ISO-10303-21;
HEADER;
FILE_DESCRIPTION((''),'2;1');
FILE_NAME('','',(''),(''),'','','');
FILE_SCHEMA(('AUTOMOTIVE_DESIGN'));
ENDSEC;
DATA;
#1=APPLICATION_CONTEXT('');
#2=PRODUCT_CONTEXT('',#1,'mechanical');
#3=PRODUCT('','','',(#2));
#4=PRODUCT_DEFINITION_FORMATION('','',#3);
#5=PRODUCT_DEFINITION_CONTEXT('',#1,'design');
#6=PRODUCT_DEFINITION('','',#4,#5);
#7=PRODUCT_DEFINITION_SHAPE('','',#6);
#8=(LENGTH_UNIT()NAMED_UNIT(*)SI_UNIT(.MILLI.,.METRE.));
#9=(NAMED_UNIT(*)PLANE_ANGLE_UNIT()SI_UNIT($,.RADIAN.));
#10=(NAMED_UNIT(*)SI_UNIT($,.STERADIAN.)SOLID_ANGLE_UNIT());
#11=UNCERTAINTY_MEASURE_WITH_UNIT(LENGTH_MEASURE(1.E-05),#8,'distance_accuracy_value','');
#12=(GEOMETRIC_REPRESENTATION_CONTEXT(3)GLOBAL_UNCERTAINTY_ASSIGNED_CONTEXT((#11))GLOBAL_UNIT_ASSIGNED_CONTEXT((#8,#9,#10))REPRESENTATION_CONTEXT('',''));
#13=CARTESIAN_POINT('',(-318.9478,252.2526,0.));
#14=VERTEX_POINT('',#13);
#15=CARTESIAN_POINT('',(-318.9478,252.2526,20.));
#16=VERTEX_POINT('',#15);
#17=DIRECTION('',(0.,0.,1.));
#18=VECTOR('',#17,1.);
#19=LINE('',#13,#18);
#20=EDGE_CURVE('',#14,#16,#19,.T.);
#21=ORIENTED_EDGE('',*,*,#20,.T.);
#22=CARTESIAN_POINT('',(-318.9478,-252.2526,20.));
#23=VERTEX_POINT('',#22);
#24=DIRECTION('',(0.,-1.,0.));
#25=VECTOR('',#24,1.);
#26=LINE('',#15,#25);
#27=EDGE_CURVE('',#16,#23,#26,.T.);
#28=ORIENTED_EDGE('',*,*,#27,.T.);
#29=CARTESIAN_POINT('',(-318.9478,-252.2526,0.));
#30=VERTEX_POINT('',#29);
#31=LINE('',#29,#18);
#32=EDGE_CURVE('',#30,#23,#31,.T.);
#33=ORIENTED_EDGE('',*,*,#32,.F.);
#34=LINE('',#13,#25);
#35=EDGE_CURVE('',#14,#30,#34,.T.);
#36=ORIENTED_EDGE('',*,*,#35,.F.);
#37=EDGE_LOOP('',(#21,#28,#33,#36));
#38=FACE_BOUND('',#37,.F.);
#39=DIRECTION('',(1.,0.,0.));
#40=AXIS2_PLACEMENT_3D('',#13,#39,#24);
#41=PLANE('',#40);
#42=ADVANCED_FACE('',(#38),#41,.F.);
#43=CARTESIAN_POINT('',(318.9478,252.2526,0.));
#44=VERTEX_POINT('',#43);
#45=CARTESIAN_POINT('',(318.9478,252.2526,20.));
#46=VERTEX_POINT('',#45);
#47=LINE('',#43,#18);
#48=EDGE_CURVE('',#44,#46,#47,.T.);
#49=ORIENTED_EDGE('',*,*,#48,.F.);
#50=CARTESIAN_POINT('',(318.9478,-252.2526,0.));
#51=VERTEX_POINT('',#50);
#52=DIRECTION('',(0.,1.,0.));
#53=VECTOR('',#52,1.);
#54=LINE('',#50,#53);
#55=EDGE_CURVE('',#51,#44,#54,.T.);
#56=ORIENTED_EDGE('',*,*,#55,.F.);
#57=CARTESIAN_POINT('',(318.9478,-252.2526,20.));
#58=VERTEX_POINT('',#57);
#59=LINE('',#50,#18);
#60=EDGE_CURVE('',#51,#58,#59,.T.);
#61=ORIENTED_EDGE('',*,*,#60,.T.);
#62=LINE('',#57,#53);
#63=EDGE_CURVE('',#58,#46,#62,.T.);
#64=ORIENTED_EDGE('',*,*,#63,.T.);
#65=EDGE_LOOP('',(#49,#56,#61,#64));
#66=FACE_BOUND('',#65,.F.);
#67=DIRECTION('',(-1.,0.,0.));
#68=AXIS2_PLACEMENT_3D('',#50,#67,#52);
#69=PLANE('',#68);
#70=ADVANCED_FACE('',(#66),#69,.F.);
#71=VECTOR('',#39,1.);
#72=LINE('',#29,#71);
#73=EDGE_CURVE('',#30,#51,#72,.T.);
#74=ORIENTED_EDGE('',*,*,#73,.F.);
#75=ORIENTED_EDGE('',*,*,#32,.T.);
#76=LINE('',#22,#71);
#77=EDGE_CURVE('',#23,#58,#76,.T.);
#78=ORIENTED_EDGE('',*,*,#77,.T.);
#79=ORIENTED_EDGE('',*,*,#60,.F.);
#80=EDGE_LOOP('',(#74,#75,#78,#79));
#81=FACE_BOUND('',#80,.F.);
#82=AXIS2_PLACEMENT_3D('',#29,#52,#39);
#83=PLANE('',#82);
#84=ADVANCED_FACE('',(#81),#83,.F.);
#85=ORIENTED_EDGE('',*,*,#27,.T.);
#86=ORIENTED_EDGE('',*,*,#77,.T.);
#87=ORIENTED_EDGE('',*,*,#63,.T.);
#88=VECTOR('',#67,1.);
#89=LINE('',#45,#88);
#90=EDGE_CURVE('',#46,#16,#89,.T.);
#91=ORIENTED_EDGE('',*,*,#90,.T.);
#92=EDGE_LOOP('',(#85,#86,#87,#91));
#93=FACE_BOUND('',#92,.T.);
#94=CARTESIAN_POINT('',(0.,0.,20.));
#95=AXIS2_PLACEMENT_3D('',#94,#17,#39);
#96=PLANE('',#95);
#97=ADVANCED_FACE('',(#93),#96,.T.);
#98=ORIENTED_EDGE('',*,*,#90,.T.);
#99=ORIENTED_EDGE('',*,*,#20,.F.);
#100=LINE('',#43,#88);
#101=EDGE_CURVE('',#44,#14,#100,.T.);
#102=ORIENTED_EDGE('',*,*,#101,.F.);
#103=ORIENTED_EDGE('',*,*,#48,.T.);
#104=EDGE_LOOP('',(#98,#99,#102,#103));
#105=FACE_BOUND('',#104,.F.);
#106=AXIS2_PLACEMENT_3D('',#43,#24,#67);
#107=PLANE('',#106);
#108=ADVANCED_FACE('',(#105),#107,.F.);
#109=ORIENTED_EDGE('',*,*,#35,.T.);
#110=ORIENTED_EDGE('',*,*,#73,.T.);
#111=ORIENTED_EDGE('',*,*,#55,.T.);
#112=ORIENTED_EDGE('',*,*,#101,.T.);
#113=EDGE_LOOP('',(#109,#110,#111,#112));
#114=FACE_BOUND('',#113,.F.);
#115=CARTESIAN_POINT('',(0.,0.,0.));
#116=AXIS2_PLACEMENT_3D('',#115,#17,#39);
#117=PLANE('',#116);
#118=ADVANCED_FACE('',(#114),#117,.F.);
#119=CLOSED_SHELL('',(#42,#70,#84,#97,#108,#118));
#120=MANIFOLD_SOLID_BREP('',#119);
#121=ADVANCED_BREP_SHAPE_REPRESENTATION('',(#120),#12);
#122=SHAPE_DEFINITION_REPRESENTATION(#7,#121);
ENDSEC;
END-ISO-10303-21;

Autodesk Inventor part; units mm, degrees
ref_plane "YZ Plane" through (0, 0, 0) normal (1, 0, 0) x (0, 1, 0)
ref_plane "XZ Plane" through (0, 0, 0) normal (0, 1, 0) x (-1, 0, 0)
ref_plane "XY Plane" through (0, 0, 0) normal (0, 0, 1) x (1, 0, 0)
sketch "Esquisse1" plane through (0, 0, 0) normal (0, 0, 1) x (1, 0, 0)
  line L0 (-318.9478, -252.2526) -> (318.9478, -252.2526)
  line L1 (318.9478, -252.2526) -> (318.9478, 252.2526)
  line L2 (318.9478, 252.2526) -> (-318.9478, 252.2526)
  line L3 (-318.9478, 252.2526) -> (-318.9478, -252.2526)
  line L4 (-318.9478, -252.2526) -> (318.9478, 252.2526) construction
  line L5 (318.9478, -252.2526) -> (-318.9478, 252.2526) construction
  point P0 (0, 0)
extrude "Extrusion1" add sketch "Esquisse1" along normal blind 20
properties part number "Ground" material "Acier"
